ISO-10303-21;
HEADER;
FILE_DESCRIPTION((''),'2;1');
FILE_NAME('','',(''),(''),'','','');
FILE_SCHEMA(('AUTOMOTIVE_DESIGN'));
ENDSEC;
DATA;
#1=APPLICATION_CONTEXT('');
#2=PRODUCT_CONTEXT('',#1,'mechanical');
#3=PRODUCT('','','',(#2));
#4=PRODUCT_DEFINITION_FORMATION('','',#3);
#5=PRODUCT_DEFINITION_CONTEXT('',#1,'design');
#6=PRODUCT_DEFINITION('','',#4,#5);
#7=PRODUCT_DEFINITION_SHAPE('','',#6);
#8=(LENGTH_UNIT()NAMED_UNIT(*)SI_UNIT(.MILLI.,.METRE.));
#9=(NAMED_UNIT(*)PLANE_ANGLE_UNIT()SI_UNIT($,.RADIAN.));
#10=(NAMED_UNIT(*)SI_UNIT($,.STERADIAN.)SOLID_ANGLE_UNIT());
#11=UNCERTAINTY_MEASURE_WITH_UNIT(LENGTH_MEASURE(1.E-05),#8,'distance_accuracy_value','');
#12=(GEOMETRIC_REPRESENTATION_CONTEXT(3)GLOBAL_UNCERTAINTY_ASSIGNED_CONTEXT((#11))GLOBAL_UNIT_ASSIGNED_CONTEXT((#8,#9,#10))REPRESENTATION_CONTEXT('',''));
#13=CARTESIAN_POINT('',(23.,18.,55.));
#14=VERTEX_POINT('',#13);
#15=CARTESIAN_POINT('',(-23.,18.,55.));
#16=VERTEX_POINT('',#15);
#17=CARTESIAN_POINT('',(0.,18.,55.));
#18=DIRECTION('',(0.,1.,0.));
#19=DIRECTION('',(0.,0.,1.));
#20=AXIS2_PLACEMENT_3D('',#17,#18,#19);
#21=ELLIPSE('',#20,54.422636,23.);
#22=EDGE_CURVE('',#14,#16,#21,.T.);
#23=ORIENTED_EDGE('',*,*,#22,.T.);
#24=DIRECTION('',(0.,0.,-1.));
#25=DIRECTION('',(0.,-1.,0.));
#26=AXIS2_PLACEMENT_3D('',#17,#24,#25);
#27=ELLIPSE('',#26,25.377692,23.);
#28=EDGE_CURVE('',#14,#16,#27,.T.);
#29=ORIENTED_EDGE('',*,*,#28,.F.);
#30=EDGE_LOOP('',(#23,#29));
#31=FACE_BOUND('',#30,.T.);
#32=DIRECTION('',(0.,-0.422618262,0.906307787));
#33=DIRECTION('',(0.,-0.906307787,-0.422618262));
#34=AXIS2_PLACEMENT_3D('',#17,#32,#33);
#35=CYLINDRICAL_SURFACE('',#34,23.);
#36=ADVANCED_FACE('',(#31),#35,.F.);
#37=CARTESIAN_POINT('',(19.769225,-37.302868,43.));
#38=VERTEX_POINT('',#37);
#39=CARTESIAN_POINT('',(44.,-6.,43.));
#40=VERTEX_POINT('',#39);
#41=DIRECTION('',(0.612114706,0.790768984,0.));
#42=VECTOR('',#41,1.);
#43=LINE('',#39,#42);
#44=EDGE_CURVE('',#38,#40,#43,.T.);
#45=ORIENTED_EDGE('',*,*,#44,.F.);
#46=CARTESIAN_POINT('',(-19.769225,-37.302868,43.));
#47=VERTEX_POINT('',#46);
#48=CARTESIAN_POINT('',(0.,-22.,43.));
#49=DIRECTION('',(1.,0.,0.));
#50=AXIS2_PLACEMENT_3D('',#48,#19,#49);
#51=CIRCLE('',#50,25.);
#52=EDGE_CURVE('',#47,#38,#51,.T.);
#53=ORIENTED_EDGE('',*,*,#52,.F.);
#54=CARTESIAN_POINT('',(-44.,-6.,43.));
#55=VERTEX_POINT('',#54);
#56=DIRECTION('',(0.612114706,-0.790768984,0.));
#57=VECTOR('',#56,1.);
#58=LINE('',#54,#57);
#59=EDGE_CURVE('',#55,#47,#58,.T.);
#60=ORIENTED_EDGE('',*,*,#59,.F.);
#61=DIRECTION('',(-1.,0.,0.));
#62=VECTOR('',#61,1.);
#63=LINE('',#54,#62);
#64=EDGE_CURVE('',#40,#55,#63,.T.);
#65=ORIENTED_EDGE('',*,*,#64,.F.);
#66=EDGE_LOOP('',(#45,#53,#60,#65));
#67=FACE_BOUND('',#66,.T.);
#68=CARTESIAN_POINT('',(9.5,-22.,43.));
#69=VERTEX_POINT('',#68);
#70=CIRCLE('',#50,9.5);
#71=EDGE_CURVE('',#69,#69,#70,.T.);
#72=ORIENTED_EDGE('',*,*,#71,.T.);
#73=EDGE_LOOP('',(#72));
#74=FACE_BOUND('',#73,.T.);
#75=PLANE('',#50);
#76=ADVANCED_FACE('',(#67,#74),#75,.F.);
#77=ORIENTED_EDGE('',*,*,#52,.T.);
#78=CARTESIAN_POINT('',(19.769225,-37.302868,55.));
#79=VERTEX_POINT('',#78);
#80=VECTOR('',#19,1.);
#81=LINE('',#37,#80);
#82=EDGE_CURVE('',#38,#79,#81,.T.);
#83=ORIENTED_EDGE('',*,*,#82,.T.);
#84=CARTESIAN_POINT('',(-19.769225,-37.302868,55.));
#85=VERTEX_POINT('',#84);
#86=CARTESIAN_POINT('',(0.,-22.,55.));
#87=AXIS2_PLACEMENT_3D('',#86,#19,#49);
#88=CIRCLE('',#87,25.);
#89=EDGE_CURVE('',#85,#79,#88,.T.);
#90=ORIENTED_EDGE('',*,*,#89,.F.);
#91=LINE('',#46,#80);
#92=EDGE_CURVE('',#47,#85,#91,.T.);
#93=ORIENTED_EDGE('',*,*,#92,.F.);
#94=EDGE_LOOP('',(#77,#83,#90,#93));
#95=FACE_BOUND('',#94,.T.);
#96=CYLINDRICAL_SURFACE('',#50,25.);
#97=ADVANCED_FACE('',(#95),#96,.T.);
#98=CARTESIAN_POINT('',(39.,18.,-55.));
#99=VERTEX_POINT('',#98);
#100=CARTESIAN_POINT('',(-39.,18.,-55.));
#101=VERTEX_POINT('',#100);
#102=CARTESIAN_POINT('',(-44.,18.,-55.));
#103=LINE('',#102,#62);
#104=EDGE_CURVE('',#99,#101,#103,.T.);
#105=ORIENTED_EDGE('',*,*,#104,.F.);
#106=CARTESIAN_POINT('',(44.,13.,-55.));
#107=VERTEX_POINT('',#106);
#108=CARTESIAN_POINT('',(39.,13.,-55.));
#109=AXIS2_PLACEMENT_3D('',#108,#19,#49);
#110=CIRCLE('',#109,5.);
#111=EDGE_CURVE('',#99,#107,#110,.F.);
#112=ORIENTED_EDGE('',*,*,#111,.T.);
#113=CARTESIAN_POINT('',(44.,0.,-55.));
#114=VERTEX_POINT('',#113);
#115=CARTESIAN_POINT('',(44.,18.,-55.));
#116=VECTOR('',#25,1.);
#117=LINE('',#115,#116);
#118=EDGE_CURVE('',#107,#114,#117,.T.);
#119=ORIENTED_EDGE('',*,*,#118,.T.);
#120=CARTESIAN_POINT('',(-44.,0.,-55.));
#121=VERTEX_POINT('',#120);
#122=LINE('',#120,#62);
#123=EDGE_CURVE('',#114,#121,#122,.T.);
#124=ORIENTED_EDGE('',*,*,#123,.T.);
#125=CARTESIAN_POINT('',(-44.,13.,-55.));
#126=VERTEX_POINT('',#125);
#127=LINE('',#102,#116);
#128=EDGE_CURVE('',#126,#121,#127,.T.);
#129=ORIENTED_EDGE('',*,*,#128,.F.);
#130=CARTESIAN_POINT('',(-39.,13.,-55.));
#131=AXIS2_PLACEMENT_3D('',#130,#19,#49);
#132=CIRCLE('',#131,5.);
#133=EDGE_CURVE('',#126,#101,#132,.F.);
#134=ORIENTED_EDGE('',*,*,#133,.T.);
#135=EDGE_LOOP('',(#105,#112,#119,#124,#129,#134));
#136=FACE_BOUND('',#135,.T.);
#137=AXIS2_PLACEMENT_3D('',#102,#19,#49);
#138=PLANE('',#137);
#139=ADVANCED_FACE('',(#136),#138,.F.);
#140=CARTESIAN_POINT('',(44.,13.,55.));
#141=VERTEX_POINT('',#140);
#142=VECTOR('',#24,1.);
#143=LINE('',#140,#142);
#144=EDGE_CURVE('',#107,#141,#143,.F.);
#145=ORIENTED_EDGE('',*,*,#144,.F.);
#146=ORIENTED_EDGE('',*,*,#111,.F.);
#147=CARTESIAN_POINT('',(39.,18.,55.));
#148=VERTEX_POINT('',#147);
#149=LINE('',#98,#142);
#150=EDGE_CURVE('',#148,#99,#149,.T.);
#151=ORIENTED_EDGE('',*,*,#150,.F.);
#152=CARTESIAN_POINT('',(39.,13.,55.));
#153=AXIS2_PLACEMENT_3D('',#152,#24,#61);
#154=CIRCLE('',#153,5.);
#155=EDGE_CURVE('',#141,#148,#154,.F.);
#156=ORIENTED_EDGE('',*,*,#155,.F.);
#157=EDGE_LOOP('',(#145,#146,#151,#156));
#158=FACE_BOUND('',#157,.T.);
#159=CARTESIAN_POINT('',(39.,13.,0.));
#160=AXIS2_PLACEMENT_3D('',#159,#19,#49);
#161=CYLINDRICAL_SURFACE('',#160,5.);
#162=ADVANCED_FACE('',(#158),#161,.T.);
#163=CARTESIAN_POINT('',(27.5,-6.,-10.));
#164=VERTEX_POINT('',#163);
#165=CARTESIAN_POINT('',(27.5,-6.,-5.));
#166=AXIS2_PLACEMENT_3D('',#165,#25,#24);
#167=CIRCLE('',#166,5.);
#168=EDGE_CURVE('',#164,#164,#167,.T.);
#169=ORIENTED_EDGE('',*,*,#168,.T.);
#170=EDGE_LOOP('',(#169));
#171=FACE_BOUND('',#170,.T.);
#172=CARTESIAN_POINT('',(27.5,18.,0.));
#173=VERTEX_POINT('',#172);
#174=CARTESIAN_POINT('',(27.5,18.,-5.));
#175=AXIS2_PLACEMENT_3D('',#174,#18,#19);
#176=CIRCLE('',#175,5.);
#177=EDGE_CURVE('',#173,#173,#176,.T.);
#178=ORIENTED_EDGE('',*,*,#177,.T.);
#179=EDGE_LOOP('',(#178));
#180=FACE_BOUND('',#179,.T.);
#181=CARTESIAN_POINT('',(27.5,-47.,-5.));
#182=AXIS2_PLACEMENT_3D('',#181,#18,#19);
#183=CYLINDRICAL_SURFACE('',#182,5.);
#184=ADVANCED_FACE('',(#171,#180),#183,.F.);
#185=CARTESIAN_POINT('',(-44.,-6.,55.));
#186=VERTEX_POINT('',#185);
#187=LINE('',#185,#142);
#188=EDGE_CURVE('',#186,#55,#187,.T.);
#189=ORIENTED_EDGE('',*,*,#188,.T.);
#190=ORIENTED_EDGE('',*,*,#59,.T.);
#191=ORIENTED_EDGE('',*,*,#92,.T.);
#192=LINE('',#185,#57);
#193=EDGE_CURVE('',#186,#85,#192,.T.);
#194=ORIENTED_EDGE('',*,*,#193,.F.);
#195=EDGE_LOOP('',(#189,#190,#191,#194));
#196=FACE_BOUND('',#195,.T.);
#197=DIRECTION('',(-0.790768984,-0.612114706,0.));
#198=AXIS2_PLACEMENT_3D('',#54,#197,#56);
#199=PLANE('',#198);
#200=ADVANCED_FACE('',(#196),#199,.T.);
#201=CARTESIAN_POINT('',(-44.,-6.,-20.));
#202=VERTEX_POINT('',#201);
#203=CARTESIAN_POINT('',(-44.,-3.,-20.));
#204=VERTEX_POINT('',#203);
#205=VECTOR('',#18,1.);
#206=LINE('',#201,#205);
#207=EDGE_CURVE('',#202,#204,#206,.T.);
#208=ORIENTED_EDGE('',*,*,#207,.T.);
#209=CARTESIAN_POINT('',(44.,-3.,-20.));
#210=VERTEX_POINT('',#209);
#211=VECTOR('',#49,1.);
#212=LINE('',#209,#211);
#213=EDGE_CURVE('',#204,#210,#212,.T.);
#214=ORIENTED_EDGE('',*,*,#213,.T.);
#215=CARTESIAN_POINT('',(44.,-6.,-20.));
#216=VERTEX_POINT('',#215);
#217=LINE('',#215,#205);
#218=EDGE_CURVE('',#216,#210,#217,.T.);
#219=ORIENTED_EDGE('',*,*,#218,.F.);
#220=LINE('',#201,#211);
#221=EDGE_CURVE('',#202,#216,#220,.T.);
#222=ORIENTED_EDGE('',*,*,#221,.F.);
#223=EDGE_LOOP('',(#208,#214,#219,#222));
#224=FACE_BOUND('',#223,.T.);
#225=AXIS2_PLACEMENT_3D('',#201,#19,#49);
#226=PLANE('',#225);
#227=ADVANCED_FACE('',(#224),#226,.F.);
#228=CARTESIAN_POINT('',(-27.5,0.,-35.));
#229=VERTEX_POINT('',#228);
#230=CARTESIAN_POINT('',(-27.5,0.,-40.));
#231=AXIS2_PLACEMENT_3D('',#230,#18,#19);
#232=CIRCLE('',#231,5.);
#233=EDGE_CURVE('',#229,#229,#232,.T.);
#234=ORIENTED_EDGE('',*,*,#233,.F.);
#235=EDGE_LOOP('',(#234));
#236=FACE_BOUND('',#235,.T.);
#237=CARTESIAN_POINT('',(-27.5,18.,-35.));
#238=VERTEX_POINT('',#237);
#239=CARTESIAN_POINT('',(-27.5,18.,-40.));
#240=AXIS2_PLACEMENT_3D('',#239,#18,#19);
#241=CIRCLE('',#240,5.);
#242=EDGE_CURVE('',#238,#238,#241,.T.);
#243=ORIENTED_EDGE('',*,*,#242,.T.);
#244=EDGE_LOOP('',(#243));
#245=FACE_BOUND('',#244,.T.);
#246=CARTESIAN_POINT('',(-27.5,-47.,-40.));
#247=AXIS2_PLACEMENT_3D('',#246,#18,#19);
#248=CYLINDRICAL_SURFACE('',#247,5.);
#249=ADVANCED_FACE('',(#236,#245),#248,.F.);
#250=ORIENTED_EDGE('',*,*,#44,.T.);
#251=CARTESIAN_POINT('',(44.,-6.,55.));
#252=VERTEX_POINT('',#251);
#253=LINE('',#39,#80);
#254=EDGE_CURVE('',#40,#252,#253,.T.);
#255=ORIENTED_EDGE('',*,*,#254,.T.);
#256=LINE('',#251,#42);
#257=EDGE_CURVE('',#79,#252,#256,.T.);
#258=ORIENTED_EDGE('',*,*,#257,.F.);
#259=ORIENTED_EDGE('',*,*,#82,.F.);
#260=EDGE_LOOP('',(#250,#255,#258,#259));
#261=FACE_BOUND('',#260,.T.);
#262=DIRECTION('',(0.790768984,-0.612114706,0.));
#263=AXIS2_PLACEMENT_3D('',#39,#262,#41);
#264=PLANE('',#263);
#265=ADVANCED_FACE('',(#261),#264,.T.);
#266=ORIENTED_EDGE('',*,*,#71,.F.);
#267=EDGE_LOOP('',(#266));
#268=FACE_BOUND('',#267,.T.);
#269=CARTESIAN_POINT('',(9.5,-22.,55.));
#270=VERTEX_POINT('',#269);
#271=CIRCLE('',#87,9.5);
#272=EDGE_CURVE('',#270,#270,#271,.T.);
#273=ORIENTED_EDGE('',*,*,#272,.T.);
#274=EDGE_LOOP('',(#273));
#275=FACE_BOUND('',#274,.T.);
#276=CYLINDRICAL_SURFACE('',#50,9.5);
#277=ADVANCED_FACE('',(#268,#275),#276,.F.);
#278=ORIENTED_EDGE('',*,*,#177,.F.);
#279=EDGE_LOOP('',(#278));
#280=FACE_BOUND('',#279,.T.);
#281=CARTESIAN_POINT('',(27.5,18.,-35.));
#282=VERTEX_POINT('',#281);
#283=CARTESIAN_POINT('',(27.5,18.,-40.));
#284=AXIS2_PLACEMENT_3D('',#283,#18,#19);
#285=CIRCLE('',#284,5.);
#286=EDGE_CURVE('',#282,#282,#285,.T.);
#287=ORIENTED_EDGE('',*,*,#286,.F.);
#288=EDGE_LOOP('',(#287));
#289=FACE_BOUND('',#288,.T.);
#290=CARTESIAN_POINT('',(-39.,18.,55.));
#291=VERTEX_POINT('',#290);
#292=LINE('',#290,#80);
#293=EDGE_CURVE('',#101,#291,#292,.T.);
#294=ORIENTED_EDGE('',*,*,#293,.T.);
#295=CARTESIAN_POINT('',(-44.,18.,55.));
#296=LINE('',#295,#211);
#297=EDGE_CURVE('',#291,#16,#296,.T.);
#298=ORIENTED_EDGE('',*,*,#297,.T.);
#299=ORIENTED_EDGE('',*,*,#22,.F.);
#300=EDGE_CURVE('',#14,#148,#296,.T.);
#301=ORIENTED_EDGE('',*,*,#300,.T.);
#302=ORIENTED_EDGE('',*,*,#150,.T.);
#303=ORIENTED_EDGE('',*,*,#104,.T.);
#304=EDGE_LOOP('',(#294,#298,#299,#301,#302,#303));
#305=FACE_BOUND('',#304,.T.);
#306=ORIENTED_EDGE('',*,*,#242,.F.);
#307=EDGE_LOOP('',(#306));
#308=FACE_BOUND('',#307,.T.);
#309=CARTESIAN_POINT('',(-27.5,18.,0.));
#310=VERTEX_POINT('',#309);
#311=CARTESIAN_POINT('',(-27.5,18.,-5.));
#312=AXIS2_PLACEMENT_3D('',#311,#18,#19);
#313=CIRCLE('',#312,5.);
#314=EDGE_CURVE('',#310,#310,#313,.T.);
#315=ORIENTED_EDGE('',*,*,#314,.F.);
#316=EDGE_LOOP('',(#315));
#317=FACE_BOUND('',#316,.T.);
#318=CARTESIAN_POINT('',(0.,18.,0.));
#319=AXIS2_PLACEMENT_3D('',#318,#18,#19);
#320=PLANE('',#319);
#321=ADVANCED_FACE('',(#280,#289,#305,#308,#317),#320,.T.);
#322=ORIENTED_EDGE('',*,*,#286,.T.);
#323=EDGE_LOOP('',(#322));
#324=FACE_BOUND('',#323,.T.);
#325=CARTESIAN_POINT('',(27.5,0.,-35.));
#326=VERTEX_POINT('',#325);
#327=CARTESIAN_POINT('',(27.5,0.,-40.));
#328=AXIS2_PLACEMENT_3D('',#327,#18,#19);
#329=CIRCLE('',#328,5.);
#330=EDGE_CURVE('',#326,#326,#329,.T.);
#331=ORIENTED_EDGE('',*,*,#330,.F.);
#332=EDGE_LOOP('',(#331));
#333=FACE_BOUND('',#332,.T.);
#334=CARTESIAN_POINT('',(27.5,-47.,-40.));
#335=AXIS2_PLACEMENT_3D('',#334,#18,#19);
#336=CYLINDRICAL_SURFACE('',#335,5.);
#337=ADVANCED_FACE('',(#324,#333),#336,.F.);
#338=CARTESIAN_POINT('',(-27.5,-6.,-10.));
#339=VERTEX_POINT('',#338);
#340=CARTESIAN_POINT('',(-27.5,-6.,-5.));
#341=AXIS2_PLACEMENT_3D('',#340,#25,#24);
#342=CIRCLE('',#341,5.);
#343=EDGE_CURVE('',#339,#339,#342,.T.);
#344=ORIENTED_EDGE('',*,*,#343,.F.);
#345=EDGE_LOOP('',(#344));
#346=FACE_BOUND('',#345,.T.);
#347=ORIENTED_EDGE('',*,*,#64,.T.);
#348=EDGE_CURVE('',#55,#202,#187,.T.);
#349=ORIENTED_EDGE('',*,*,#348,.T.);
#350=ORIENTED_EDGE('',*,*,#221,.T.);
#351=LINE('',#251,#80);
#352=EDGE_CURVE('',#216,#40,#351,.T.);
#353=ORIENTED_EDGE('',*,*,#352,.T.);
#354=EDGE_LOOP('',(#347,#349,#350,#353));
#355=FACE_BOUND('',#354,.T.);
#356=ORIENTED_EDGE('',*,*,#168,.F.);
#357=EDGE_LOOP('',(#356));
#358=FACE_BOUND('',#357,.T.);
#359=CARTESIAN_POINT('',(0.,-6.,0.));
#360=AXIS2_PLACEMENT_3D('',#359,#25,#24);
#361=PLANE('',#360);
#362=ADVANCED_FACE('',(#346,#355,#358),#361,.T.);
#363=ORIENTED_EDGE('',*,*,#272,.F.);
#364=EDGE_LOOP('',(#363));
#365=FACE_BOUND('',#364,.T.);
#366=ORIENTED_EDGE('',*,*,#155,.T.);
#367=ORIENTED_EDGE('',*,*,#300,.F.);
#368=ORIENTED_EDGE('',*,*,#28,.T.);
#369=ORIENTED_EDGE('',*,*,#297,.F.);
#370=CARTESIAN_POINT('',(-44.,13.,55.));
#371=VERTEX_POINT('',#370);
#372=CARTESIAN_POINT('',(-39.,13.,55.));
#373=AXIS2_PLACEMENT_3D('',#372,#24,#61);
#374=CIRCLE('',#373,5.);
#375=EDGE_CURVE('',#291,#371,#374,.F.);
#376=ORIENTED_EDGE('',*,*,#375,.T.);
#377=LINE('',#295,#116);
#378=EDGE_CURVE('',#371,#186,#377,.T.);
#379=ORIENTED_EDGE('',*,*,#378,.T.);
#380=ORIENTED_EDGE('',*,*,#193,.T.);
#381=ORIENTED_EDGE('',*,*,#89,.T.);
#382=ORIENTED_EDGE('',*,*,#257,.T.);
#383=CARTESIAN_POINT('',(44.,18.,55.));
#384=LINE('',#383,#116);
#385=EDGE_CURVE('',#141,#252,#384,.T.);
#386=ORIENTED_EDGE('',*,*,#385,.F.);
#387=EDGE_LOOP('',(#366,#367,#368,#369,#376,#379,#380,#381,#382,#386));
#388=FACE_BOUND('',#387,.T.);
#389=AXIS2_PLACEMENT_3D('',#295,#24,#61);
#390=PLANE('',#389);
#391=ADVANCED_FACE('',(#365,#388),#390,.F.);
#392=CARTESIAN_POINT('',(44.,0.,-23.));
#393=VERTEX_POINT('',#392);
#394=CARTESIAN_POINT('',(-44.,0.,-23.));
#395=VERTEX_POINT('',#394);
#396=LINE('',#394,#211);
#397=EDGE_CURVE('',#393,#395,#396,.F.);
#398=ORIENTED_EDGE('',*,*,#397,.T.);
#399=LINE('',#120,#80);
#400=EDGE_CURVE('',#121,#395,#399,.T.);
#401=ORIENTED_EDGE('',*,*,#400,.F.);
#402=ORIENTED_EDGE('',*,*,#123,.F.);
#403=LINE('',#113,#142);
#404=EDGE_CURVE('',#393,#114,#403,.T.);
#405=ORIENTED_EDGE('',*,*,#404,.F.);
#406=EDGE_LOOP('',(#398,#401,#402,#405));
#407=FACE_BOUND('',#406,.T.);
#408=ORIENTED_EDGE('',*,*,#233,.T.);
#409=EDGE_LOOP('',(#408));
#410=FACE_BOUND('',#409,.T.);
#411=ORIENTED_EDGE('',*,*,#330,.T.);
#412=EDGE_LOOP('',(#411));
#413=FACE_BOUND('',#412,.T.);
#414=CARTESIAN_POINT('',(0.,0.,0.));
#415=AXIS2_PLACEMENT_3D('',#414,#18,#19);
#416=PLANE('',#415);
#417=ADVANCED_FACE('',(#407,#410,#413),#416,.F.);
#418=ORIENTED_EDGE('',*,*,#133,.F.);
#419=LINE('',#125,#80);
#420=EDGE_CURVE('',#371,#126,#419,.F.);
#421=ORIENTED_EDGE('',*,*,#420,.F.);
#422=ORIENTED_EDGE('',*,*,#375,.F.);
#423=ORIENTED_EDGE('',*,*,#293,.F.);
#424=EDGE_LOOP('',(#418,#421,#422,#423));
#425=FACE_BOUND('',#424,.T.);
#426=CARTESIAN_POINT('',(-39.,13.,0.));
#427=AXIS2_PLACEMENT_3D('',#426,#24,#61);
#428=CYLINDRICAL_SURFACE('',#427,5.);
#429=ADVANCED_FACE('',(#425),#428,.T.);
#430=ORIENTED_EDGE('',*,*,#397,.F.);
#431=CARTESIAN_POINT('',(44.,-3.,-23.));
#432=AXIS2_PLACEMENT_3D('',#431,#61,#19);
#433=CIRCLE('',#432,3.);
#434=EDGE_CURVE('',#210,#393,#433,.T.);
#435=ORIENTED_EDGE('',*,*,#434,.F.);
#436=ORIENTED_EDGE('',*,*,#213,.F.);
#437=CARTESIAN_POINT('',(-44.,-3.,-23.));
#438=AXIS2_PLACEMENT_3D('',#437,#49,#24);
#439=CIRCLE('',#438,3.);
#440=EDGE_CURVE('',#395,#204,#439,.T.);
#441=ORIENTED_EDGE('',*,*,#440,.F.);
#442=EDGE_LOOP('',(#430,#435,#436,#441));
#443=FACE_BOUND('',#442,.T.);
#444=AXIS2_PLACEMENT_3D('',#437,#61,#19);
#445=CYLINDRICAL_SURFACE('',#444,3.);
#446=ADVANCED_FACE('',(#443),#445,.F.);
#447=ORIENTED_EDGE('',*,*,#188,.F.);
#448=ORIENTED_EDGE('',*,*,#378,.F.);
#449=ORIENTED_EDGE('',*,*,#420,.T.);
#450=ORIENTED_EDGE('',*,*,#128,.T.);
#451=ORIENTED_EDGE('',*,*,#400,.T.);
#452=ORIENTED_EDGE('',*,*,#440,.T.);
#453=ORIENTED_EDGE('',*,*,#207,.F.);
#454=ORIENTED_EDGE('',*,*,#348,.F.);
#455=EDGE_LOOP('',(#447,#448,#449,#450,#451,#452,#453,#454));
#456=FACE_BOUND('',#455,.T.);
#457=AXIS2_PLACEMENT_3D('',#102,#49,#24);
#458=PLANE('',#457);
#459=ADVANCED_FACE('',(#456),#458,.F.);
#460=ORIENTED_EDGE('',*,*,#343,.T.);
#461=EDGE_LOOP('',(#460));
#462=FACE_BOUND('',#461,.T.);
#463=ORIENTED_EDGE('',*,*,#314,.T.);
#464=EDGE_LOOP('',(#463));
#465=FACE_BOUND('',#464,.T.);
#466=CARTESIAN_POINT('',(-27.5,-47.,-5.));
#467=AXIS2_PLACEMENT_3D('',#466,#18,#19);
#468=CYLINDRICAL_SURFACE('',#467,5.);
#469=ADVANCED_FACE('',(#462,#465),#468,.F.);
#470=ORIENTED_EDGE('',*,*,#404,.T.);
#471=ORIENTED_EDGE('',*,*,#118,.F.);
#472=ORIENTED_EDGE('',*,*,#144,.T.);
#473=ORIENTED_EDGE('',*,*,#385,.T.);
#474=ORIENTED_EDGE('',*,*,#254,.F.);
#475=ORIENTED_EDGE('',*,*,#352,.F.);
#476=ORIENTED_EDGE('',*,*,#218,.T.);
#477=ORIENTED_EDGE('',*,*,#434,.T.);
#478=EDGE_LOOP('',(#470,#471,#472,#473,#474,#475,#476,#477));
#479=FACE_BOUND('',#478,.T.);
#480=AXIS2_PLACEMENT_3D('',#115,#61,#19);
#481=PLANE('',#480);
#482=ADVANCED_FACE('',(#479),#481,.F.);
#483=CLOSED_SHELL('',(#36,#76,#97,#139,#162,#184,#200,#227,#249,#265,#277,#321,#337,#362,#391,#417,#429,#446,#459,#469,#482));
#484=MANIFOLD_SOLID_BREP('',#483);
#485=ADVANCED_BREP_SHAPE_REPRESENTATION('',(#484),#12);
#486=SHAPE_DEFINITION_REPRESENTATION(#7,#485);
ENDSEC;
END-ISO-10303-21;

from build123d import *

# Parameters (mm, degrees)
SKETCH1_W               = 88
SKETCH1_H               = 110
BOSS_EXTRUDE1_DEPTH     = 18
SKETCH2_W               = 88
SKETCH2_H               = 75
BOSS_EXTRUDE2_DEPTH     = 6
SKETCH3_R               = 9.5
BOSS_EXTRUDE3_DEPTH     = 12
FILLET1_R               = 3
FILLET2_R               = 5
SKETCH5_R               = 5
CUT_EXTRUDE1_DEPTH      = 1
CUT_EXTRUDE1_DEPTH_BACK = 66


with BuildPart() as part:
    # Sketch1 → Boss-Extrude1 (new body)
    with BuildSketch(Plane(origin=(0, 0, 0), x_dir=(1, 0, 0), z_dir=(0, 1, 0))):
        Rectangle(SKETCH1_W, SKETCH1_H)
    extrude(amount=BOSS_EXTRUDE1_DEPTH)

    # Sketch2 → Boss-Extrude2 (add)
    with BuildSketch(Plane.XZ):
        with Locations((0, 17.5)):
            Rectangle(SKETCH2_W, SKETCH2_H)
    extrude(amount=BOSS_EXTRUDE2_DEPTH)

    # Sketch3 → Boss-Extrude3 (add)
    with BuildSketch(Plane.XY.offset(55)):
        with BuildLine():
            Line((-44, -6), (-19.769224603, -37.302867659))
            ThreePointArc((-19.769224603, -37.302867659), (0, -47), (19.769224603, -37.302867659))
            Line((19.769224603, -37.302867659), (44, -6))
            Line((44, -6), (-44, -6))
        make_face()
        with Locations((0, -22)):
            Circle(SKETCH3_R, mode=Mode.SUBTRACT)
    extrude(amount=-BOSS_EXTRUDE3_DEPTH)

    # Fillet1
    fillet1_edges = [part.edges().sort_by_distance(p)[0] for p in [
        (0, 0, -20),
    ]]
    fillet(fillet1_edges, radius=FILLET1_R)

    # Sketch4 → Cut-Revolve1 (revolve, cut)
    with BuildSketch(Plane(origin=(0, 0, 0), x_dir=(0, 0, -1), z_dir=(1, 0, 0))):
        Polygon((-55, -7.377692136), (-0.577363587, 18), (-0.577363587, 43.377692136), (-55, 18), align=None)
    revolve(axis=Axis((0, 18, 55), (0, 0.422618262, -0.906307787)), mode=Mode.SUBTRACT)

    # Fillet2
    fillet2_edges = [part.edges().sort_by_distance(p)[0] for p in [
        (-44, 18, 0),
        (44, 18, 0),
    ]]
    fillet(fillet2_edges, radius=FILLET2_R)

    # Sketch5 → Cut-Extrude1 (cut, two sides)
    with BuildSketch(Plane(origin=(0, 18, 0), x_dir=(1, 0, 0), z_dir=(0, 1, 0))) as cut_extrude1_sk:
        with Locations((-27.5, 40)):
            Circle(SKETCH5_R)
        with Locations((27.5, 40)):
            Circle(SKETCH5_R)
        with Locations((27.5, 5)):
            Circle(SKETCH5_R)
        with Locations((-27.5, 5)):
            Circle(SKETCH5_R)
    extrude(amount=CUT_EXTRUDE1_DEPTH, mode=Mode.SUBTRACT)
    extrude(cut_extrude1_sk.sketch, amount=-CUT_EXTRUDE1_DEPTH_BACK, mode=Mode.SUBTRACT)


solid = part.part
